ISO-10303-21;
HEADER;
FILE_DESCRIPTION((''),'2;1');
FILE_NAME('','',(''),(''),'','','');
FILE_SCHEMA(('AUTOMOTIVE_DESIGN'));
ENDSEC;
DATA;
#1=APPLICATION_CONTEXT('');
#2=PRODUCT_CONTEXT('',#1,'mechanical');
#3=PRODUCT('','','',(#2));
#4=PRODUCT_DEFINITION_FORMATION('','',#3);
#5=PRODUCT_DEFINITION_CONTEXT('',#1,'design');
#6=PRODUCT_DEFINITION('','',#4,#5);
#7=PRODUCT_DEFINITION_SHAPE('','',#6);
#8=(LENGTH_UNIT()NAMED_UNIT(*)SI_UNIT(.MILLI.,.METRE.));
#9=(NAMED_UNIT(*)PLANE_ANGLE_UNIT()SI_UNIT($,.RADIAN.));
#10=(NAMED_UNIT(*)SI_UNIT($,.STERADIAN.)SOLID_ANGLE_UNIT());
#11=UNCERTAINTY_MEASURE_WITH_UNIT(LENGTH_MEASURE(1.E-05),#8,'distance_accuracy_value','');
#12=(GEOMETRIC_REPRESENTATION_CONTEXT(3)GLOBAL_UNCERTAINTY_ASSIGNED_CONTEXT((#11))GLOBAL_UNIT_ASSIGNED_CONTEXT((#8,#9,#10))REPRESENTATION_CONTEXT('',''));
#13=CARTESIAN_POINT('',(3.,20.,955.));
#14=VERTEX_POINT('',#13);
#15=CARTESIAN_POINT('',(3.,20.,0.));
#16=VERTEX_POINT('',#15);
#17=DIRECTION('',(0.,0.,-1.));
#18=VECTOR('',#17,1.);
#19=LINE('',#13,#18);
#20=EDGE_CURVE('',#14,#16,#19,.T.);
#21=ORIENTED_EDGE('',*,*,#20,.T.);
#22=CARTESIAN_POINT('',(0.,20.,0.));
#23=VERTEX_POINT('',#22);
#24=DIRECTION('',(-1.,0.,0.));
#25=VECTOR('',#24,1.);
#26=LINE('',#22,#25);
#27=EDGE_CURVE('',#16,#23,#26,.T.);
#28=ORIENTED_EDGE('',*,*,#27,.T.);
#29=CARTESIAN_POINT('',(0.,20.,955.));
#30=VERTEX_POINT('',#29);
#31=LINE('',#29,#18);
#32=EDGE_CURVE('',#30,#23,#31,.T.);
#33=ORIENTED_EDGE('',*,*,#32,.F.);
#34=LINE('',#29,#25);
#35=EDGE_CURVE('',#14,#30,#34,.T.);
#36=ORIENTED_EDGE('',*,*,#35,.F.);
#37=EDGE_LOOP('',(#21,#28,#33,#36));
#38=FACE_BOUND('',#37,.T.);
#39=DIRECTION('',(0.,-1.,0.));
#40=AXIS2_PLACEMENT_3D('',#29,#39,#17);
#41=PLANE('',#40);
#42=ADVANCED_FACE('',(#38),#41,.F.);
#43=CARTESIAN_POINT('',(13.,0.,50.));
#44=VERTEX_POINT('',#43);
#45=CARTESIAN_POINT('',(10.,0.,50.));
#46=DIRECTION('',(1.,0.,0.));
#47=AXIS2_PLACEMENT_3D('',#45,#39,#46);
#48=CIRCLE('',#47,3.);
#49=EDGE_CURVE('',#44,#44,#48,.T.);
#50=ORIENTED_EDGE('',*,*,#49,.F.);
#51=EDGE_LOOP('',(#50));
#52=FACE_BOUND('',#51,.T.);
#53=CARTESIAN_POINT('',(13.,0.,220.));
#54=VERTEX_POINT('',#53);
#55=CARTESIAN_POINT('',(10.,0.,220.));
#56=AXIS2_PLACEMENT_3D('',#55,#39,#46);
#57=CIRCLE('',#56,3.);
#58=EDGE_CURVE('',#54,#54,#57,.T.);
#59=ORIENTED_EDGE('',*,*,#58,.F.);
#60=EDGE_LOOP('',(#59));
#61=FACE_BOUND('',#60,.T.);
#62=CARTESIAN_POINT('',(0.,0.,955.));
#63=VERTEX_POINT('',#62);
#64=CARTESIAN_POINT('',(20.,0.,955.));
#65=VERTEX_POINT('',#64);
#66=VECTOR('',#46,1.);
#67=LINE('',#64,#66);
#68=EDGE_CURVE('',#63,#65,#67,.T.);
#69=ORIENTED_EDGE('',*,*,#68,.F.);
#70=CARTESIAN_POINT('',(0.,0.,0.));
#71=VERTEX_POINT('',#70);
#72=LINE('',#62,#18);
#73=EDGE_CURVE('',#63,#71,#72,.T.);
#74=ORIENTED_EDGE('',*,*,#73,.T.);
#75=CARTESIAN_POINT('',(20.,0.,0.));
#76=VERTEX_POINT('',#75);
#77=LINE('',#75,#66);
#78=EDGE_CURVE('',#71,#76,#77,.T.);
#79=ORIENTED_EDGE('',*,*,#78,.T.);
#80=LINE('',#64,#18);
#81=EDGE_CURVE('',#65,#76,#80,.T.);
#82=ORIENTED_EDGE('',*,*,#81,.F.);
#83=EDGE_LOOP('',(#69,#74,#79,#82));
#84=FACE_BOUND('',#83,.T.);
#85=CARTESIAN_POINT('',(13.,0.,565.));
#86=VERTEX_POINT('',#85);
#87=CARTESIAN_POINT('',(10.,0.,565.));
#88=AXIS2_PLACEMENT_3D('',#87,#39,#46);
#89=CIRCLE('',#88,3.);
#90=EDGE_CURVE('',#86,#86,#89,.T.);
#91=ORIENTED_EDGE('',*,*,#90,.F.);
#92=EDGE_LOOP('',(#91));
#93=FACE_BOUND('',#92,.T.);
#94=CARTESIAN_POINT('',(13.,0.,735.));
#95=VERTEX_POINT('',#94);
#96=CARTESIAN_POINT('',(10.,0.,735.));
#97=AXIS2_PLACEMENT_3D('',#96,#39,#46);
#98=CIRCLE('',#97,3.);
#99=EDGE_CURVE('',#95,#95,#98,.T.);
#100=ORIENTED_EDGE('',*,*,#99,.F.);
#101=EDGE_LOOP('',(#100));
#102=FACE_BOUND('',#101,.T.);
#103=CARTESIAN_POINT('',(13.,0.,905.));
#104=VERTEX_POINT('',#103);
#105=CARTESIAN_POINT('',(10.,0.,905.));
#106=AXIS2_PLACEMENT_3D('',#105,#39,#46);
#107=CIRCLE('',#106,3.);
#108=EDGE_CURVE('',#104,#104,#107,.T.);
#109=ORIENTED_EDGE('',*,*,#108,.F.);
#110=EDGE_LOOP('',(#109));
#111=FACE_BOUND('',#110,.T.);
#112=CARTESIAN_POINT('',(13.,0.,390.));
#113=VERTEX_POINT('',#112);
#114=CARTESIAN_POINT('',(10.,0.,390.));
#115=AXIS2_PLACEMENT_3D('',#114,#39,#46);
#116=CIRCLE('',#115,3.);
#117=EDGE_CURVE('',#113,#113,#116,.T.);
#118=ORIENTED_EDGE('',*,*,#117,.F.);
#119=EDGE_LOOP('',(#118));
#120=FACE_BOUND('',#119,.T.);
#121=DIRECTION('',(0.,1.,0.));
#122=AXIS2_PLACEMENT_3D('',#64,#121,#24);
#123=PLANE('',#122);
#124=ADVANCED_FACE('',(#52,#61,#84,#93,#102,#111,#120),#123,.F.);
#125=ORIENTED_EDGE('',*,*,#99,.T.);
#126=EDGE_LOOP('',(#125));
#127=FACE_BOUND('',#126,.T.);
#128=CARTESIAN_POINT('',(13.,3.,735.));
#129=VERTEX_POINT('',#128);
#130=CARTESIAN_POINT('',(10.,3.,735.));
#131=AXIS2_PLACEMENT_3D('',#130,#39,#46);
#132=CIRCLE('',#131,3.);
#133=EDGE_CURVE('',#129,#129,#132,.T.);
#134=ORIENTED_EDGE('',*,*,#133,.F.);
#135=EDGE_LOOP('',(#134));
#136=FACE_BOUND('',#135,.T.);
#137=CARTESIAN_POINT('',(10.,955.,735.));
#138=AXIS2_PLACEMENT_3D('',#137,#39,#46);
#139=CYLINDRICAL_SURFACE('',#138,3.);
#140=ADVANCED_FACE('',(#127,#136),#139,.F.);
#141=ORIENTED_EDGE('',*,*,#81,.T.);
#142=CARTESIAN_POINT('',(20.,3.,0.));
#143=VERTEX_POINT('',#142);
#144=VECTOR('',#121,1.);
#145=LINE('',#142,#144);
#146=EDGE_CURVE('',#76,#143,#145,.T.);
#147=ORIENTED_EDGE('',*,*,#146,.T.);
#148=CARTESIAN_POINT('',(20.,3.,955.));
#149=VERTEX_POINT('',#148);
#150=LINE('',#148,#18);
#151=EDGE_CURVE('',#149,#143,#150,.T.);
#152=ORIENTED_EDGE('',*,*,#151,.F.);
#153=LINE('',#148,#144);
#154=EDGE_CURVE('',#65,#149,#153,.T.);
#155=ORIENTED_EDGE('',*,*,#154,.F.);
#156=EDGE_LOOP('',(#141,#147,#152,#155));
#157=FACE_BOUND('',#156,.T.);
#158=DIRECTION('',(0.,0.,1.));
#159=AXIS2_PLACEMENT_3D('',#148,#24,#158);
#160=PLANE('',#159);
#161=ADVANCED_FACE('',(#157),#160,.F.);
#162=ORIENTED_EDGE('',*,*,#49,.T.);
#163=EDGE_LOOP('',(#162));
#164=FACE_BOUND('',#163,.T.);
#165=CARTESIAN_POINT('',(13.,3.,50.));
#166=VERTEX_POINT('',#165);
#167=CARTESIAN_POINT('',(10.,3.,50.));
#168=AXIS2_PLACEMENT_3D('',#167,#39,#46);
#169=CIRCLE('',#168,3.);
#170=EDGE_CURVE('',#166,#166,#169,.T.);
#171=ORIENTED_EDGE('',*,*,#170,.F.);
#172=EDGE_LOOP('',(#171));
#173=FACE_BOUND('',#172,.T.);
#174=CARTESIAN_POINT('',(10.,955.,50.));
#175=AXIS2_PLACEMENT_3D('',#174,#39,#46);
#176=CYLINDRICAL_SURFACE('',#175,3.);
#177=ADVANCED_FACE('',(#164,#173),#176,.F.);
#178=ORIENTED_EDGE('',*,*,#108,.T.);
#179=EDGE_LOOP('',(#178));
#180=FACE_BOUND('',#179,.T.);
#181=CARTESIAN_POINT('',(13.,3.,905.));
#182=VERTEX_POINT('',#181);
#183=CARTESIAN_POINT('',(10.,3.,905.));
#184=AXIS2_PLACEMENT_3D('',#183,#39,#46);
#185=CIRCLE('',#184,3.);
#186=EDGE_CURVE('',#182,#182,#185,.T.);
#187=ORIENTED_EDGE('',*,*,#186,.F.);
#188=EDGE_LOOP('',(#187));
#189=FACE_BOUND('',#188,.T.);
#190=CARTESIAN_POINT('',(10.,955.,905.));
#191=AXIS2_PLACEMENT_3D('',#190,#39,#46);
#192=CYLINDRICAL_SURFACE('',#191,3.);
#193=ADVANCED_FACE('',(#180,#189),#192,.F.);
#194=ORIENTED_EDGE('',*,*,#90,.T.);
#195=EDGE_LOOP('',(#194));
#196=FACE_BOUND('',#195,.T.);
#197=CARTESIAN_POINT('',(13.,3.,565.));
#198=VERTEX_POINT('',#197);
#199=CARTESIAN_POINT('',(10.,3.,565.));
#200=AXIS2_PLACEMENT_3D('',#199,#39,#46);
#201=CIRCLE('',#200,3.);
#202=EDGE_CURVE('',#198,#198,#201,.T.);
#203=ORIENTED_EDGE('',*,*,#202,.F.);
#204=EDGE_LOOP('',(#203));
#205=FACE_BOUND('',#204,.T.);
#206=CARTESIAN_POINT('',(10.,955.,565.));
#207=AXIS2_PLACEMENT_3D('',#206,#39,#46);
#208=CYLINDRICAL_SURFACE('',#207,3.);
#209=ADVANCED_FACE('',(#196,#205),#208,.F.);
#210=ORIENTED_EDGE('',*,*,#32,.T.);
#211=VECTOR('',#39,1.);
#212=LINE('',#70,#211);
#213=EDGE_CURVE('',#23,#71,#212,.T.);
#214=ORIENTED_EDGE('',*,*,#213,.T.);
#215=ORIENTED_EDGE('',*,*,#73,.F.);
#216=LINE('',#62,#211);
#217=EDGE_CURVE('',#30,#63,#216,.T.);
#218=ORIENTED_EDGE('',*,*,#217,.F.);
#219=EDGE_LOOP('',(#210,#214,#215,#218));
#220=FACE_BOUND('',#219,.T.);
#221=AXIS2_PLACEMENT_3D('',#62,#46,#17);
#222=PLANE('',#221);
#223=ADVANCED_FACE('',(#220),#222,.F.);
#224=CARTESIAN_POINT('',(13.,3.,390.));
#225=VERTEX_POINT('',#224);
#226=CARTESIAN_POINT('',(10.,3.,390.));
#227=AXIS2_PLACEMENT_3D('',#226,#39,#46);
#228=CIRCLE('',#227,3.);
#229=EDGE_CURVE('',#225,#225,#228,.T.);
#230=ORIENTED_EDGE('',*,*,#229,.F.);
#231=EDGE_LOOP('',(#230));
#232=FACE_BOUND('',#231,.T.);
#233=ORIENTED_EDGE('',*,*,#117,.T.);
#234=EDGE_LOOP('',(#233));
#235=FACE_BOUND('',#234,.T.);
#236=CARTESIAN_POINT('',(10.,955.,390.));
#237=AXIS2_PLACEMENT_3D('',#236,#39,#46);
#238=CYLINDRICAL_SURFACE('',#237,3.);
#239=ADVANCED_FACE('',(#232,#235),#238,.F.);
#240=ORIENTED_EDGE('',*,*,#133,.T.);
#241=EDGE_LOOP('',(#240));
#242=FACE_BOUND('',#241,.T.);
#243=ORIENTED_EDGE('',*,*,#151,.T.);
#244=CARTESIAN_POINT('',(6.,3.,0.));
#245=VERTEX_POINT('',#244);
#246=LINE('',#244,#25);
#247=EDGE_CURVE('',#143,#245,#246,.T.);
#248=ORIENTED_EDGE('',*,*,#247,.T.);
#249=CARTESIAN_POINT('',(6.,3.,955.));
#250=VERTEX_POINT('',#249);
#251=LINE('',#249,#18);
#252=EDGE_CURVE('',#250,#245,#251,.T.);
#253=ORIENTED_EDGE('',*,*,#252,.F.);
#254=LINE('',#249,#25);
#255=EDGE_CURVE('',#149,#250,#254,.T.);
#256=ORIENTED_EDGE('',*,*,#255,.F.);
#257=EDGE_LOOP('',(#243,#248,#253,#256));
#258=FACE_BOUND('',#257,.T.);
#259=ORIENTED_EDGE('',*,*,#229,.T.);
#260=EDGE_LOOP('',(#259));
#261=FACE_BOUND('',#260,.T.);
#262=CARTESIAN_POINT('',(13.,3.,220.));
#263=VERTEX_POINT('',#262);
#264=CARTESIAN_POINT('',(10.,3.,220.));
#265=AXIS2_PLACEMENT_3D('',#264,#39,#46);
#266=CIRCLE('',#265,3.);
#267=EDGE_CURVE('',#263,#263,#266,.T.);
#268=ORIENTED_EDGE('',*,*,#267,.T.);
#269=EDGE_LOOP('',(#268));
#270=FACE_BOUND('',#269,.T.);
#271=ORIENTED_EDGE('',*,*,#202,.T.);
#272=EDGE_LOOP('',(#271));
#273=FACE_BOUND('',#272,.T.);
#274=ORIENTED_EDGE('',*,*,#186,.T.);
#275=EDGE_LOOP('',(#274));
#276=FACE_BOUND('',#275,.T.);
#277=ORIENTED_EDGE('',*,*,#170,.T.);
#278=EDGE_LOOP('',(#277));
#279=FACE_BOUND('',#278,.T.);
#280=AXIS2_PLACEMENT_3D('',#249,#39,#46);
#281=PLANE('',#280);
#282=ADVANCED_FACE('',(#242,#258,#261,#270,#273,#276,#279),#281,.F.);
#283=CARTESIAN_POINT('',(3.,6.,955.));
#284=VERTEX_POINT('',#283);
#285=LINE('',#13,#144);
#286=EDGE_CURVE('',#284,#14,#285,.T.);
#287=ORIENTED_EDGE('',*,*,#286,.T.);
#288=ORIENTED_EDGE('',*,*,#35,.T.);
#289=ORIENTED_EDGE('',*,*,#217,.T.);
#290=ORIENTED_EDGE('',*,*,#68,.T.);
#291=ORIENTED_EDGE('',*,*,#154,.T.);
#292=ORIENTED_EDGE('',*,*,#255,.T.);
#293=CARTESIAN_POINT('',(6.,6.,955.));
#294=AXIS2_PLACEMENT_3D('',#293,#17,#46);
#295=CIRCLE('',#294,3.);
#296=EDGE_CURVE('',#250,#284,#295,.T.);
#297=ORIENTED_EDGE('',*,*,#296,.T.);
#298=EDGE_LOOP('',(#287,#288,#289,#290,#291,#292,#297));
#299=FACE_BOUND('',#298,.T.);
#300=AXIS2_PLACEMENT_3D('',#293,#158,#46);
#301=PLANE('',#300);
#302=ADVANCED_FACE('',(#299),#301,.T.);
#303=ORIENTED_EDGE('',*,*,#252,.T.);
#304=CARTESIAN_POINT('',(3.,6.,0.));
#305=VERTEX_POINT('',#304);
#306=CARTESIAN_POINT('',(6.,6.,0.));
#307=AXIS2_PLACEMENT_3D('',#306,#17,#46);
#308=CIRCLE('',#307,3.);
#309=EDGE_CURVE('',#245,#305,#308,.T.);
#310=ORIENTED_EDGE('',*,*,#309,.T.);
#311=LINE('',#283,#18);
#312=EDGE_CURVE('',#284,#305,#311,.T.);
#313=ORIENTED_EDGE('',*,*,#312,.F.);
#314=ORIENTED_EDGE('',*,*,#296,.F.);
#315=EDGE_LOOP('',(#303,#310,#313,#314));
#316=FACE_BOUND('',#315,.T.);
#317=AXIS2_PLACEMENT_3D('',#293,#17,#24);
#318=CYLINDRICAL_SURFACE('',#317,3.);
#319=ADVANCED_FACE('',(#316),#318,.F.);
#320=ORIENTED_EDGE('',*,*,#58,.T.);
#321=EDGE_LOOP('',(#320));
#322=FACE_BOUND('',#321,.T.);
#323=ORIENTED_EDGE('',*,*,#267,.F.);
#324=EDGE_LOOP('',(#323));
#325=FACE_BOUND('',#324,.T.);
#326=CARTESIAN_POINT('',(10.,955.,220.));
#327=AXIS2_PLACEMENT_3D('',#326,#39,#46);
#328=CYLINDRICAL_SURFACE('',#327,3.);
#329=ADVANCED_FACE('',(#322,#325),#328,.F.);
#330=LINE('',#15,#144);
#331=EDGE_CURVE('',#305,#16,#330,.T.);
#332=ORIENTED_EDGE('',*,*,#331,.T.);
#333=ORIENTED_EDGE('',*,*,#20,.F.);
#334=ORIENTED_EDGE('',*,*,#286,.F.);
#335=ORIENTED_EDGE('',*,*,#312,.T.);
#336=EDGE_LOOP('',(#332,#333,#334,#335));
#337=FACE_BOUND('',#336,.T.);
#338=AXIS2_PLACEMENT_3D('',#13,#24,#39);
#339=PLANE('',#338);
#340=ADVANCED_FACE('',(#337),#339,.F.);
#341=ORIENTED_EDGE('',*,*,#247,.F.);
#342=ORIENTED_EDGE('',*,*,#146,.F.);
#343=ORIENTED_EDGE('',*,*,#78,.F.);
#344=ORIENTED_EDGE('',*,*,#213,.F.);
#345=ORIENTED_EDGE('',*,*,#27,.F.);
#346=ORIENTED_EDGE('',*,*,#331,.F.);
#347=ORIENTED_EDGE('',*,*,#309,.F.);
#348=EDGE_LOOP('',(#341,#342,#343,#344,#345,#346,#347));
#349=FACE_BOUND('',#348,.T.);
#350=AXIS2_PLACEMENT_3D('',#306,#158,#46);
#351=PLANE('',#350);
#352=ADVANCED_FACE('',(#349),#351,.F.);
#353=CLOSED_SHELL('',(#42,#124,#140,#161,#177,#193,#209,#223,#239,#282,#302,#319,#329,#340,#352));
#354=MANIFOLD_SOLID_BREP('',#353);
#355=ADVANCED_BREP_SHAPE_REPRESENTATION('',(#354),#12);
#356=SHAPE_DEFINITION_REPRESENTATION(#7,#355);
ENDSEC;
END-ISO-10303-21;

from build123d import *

# Parameters (mm, degrees)
BOSS_EXTRU_1_DEPTH      = 955
ESQUISSE2_R             = 3
ENL_V_MAT_EXTRU_1_DEPTH = 955


with BuildPart() as part:
    # Esquisse1 → Boss.-Extru.1 (new body)
    with BuildSketch(Plane.XY):
        with BuildLine():
            Line((0, 0), (0, 20))
            Line((0, 20), (3, 20))
            Line((3, 20), (3, 6))
            ThreePointArc((3, 6), (3.878679656, 3.878679656), (6, 3))
            Line((6, 3), (20, 3))
            Line((20, 3), (20, 0))
            Line((20, 0), (0, 0))
        make_face()
    extrude(amount=BOSS_EXTRU_1_DEPTH)

    # Esquisse2 → Enlèv. mat.-Extru.1 (cut)
    with BuildSketch(Plane(origin=(0, 0, 0), x_dir=(-1, 0, 0), z_dir=(0, -1, 0))):
        with Locations(Location((-10, -50, 0), (0, 0, 180))):
            Circle(ESQUISSE2_R)
        with Locations(Location((-10, -905, 0), (0, 0, 180))):
            Circle(ESQUISSE2_R)
        with Locations(Location((-10, -220, 0), (0, 0, 180))):
            Circle(ESQUISSE2_R)
        with Locations(Location((-10, -735, 0), (0, 0, 180))):
            Circle(ESQUISSE2_R)
        with Locations(Location((-10, -390, 0), (0, 0, 180))):
            Circle(ESQUISSE2_R)
        with Locations(Location((-10, -565, 0), (0, 0, 180))):
            Circle(ESQUISSE2_R)
    extrude(amount=-ENL_V_MAT_EXTRU_1_DEPTH, mode=Mode.SUBTRACT)


solid = part.part
